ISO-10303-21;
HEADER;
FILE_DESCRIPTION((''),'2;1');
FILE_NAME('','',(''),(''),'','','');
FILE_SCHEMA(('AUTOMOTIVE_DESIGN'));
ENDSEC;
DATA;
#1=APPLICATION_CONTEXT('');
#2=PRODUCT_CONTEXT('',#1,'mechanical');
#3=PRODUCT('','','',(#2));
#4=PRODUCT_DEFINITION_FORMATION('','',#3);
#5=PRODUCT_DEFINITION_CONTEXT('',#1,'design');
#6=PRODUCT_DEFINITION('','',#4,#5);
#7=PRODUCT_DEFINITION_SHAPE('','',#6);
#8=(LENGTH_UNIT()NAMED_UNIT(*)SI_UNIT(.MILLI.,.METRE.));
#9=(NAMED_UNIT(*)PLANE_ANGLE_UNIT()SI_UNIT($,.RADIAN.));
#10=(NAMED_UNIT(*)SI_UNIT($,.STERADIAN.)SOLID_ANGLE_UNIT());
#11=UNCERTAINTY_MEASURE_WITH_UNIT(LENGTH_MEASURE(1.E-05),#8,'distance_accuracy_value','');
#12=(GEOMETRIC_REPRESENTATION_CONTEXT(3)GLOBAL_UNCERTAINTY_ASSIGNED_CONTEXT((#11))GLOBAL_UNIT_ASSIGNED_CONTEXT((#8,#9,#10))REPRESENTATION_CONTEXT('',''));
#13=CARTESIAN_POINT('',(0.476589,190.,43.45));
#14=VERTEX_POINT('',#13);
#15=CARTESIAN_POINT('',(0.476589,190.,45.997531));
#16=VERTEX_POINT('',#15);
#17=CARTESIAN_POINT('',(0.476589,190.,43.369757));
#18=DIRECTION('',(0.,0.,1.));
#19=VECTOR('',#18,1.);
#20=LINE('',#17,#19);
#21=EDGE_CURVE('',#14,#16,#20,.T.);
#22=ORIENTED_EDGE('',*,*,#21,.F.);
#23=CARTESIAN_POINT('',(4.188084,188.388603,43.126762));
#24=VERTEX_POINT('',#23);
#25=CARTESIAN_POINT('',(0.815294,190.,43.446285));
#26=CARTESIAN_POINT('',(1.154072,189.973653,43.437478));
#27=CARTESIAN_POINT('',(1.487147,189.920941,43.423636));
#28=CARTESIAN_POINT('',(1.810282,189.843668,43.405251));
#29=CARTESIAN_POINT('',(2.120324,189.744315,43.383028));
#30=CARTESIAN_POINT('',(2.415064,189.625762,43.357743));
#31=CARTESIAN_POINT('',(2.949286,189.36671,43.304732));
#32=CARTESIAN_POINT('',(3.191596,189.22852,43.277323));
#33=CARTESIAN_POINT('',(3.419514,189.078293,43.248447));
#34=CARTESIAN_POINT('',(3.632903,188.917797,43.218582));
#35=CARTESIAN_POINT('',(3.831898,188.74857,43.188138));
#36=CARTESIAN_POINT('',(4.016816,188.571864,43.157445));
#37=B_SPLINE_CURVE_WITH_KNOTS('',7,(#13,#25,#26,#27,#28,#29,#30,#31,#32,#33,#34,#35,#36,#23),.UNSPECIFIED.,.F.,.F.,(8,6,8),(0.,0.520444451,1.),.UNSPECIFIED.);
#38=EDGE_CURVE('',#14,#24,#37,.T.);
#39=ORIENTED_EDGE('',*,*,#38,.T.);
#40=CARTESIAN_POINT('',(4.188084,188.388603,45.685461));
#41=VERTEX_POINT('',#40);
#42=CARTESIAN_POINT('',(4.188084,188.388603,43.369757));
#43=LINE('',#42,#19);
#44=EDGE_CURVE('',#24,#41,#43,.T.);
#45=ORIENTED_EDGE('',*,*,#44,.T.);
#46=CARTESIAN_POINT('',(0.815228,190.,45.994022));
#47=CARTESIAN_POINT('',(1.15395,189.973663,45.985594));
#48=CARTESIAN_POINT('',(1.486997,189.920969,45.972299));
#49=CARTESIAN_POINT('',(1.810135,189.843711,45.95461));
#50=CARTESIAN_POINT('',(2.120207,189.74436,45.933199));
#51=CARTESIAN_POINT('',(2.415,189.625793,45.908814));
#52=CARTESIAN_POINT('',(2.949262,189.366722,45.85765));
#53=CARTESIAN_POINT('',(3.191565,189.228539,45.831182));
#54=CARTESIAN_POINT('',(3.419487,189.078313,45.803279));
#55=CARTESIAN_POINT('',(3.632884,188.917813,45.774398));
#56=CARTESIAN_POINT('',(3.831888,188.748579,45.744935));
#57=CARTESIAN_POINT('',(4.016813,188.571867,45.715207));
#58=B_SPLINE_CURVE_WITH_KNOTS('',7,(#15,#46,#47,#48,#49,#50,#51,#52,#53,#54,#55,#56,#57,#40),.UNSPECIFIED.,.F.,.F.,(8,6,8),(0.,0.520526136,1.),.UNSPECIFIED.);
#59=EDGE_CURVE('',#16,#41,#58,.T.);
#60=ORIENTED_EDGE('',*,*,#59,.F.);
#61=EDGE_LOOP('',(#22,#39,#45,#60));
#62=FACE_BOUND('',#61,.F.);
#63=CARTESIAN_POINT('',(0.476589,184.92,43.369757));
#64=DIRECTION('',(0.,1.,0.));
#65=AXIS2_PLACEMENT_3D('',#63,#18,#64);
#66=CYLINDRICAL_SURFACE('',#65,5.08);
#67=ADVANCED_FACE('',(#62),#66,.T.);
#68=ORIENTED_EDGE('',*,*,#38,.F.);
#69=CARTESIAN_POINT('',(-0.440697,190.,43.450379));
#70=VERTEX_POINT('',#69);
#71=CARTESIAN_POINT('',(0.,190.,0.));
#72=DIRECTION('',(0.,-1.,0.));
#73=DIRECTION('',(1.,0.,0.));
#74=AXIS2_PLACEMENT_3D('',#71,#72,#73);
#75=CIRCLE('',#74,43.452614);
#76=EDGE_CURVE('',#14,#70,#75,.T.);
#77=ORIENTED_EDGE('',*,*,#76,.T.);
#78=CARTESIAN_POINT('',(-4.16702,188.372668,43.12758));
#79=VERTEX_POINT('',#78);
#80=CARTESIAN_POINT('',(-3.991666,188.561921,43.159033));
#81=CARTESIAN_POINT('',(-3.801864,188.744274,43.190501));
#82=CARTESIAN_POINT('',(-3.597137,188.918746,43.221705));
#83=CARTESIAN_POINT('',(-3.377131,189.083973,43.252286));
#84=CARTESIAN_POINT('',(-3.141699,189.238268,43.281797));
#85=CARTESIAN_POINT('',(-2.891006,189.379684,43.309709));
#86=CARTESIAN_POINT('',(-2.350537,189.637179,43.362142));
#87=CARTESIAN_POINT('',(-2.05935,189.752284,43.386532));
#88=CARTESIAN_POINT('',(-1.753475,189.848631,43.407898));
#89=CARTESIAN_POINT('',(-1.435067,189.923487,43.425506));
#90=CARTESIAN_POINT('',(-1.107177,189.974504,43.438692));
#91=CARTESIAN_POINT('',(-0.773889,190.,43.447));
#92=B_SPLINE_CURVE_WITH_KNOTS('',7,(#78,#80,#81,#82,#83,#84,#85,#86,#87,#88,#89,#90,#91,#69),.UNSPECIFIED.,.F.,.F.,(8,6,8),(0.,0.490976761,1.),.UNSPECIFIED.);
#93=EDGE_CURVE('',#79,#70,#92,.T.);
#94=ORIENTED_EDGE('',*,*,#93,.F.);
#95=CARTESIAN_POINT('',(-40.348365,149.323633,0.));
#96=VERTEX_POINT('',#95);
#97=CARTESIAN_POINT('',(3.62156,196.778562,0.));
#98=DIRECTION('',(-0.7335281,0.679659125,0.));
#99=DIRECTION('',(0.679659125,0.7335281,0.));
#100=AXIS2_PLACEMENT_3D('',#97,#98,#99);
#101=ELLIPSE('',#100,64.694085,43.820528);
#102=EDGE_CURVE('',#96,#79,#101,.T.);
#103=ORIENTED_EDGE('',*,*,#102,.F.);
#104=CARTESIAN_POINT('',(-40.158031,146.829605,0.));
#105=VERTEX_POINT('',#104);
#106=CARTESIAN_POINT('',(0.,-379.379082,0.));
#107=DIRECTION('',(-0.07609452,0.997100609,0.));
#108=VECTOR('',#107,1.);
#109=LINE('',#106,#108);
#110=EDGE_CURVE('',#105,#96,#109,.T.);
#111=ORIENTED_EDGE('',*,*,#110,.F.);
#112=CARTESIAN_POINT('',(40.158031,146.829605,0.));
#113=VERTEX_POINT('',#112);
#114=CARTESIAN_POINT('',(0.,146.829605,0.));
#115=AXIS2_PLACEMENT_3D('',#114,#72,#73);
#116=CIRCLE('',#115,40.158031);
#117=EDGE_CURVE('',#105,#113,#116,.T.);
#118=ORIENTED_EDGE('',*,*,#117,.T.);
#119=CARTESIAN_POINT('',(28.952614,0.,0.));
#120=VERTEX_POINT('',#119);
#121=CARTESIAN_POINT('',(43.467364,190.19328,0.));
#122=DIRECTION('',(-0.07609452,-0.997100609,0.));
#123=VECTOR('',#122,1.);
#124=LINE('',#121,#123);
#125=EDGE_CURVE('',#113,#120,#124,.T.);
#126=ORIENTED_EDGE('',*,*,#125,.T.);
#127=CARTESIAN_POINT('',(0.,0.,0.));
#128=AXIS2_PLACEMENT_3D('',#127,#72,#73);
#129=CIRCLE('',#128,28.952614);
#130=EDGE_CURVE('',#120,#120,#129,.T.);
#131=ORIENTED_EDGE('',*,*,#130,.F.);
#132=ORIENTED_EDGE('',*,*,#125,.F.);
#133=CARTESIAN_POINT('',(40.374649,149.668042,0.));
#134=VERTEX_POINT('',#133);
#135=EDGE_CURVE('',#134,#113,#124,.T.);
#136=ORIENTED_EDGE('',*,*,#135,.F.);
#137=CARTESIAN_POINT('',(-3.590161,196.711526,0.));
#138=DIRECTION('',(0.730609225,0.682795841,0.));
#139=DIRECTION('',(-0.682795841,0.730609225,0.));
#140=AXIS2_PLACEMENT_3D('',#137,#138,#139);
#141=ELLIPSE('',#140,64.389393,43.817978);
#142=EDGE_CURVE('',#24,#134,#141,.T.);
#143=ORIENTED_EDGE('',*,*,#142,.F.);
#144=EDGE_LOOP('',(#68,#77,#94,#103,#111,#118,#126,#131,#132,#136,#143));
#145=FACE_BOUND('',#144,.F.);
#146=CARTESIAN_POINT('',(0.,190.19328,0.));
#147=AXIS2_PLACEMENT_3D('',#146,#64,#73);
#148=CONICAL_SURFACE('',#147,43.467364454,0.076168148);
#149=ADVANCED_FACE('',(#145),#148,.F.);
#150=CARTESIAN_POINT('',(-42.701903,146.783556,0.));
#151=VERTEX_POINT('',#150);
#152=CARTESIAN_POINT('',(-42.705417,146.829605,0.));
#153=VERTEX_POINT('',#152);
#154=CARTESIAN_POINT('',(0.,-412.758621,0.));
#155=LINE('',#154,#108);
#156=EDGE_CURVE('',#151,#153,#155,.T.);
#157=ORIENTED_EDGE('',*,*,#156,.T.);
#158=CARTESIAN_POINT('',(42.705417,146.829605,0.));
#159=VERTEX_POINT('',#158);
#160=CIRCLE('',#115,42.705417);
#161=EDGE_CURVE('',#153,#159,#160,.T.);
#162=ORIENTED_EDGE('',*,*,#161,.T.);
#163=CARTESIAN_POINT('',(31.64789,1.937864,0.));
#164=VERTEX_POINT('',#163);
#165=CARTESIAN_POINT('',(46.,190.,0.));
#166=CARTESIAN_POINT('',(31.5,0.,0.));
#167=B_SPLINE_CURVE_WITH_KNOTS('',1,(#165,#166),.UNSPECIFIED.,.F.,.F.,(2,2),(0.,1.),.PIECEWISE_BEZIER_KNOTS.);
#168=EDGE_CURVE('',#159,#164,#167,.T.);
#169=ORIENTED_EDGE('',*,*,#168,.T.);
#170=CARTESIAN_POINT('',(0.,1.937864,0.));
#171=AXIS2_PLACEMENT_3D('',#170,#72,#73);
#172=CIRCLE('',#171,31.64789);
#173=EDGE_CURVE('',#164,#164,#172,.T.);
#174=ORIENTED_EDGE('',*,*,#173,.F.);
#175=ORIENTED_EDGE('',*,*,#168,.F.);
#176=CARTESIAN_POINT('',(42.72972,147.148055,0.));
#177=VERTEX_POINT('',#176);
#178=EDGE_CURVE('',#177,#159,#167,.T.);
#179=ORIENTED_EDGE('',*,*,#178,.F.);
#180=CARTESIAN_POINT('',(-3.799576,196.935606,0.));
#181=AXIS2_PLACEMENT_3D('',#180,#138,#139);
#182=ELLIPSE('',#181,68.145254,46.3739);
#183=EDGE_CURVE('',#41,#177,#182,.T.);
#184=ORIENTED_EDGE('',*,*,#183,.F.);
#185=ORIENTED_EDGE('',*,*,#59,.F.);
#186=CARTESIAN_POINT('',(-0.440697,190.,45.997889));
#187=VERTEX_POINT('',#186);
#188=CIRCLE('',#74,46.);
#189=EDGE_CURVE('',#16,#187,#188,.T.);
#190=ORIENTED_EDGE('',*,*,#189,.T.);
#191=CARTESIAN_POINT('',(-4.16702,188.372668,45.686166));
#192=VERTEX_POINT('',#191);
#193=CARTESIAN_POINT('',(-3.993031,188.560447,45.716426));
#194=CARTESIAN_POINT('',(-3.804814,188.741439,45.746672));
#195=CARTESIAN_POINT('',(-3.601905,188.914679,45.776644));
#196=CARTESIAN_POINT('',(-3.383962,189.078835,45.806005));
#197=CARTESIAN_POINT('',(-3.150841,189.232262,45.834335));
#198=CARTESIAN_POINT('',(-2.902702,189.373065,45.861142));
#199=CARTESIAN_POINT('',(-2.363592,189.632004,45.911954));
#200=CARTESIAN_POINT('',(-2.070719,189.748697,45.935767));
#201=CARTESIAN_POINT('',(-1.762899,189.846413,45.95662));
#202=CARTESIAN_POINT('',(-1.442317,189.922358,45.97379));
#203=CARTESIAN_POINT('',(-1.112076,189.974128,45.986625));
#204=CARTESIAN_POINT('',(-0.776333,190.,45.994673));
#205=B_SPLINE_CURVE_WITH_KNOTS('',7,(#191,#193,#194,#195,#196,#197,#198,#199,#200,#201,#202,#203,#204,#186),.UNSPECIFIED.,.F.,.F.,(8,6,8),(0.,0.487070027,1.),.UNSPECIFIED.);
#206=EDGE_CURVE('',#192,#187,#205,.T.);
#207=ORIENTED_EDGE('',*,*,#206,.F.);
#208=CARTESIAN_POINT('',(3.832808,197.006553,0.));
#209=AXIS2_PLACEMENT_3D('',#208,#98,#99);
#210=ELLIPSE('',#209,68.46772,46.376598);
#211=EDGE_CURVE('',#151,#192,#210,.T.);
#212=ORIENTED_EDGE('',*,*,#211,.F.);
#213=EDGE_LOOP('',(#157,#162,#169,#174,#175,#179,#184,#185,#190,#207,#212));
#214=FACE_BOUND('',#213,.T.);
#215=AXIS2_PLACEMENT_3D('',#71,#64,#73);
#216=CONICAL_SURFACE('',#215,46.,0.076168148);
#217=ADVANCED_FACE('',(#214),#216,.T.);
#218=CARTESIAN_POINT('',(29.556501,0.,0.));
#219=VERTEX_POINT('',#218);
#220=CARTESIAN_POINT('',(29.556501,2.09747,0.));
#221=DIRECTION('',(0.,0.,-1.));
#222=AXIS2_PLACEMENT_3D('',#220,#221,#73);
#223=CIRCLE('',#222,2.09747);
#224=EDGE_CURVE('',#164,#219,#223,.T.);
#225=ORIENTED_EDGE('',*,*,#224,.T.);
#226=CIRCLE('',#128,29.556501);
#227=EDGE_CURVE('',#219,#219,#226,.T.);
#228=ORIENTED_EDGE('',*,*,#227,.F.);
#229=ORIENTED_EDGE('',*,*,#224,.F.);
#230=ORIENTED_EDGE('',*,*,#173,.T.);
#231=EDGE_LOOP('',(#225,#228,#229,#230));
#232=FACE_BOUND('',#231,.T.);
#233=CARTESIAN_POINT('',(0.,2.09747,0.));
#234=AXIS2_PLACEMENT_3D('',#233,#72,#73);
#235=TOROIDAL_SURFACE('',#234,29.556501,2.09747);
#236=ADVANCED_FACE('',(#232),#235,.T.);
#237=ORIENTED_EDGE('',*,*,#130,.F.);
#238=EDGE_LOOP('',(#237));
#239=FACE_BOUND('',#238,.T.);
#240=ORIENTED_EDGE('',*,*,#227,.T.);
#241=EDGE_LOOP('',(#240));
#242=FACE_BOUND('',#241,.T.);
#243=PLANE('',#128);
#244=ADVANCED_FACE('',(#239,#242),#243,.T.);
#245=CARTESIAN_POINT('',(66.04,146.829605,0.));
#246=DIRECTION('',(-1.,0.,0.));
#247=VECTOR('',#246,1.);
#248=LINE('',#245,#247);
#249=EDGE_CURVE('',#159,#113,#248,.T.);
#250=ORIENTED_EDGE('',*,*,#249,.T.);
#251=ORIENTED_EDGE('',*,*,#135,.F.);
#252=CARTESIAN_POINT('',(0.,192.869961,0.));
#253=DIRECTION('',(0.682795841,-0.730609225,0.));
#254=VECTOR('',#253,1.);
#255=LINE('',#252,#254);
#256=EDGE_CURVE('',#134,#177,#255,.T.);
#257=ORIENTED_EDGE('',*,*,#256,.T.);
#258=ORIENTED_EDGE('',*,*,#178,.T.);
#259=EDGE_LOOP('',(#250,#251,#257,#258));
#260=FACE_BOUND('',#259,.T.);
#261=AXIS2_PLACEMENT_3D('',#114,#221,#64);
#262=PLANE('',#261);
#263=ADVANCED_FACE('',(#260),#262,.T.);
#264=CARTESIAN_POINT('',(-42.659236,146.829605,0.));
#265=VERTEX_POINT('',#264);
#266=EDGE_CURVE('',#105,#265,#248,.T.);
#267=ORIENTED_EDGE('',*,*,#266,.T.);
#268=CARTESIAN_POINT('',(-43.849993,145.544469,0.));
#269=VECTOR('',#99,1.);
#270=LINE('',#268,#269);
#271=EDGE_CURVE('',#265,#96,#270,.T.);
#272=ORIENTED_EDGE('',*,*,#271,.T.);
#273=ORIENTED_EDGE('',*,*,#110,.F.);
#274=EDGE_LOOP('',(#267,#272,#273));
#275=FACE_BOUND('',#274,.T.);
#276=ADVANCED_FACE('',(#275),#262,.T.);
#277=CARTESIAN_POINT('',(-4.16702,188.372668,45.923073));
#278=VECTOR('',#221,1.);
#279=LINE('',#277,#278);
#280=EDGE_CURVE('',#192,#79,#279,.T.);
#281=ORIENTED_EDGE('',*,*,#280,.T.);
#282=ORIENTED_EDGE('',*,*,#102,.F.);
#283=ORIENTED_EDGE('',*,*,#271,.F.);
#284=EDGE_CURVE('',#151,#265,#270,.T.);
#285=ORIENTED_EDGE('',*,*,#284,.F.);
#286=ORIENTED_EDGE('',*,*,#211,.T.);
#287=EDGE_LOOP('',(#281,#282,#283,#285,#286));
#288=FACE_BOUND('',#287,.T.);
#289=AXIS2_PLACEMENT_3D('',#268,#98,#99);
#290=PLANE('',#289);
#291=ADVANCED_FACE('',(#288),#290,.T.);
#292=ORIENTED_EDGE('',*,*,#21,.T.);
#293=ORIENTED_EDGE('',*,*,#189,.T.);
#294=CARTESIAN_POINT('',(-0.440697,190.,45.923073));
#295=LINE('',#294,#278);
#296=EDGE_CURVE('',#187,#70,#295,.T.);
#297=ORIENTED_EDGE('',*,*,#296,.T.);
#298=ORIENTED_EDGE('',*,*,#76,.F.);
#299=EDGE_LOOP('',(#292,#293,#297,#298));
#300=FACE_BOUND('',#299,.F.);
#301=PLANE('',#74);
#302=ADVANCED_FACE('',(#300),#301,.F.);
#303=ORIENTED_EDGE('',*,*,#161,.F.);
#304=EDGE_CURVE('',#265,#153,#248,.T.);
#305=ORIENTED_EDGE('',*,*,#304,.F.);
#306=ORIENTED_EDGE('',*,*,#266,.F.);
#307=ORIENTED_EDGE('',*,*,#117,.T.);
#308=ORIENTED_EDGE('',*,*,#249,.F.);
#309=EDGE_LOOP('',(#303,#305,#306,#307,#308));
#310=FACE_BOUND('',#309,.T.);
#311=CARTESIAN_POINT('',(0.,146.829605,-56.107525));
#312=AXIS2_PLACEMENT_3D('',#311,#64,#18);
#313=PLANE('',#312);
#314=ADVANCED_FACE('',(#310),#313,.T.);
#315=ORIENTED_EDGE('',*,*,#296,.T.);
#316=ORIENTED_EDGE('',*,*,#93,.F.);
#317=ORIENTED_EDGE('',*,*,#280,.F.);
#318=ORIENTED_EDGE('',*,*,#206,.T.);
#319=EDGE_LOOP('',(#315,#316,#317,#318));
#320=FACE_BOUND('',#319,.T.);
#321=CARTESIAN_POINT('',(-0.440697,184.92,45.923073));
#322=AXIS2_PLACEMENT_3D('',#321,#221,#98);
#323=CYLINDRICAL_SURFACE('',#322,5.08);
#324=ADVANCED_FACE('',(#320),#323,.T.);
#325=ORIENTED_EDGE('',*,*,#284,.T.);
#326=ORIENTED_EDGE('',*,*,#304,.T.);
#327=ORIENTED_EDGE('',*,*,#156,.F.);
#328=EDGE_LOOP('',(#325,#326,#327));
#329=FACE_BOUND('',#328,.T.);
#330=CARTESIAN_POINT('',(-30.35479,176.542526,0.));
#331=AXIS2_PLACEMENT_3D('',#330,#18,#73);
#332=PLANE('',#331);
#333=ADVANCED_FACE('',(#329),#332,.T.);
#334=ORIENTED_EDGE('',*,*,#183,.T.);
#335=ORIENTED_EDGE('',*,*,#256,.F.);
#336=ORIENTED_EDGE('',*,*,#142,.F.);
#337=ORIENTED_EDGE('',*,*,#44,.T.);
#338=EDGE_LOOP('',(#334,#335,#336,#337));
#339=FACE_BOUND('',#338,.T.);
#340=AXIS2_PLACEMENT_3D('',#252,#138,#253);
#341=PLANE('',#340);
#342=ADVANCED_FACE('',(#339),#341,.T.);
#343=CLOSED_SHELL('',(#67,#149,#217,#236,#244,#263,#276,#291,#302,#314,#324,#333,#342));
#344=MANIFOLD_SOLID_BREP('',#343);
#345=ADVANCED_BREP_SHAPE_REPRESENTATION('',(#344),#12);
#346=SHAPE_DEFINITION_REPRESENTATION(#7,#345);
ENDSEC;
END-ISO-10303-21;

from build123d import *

# Parameters (mm, degrees)
F2_R     = 46
F0_R     = 31.5
F4_T     = -2.54
F6_DEPTH = 68.58
F7_W     = 43.7282323837
F7_H     = 56.1075247824
F8_DEPTH = 66.04
F9_R     = 5.08
F10_R    = 2.0974699773


with BuildPart() as f3:
    # F2 (on offset) → F3 section 0
    with BuildSketch(Plane.XZ.offset(-190)):
        Circle(F2_R)
    # F0 (on Front) → F3 section 1
    with BuildSketch(Plane.XZ):
        Circle(F0_R)
    loft()

    # F4
    f4_openings = [f3.faces().sort_by_distance(p)[0] for p in [
        (0, 0, 0),
        (0, 190, 0),
    ]]
    offset(amount=F4_T, openings=f4_openings, kind=Kind.INTERSECTION)

    # F5 (on Top) → F6 (cut)
    with BuildSketch(Plane.XY):
        Polygon((-50.4529035675, 192.8699612617), (-43.8499934971, 145.5444693565), (0, 192.8699612617), align=None)
        Polygon((49.8117071029, 192.8699612617), (0, 192.8699612617), (44.228361635, 145.5444693565), align=None)
    extrude(amount=F6_DEPTH, mode=Mode.SUBTRACT)

    # F7 (on Right) → F8 (cut, symmetric)
    with BuildSketch(Plane.YZ):
        with Locations((168.6937212944, -28.0537623912)):
            Rectangle(F7_W, F7_H)
    extrude(amount=F8_DEPTH, both=True, mode=Mode.SUBTRACT)

    # F9
    f9_edges = [f3.edges().sort_by_distance(p)[0] for p in [
        (-2.659197, 190, 44.647121),
        (2.682142, 190, 44.645748),
    ]]
    fillet(f9_edges, radius=F9_R)

    # F10
    f10_edges = [f3.edges().sort_by_distance(p)[0] for p in [
        (-31.5, 0, 0),
    ]]
    fillet(f10_edges, radius=F10_R)


solid = f3.part
